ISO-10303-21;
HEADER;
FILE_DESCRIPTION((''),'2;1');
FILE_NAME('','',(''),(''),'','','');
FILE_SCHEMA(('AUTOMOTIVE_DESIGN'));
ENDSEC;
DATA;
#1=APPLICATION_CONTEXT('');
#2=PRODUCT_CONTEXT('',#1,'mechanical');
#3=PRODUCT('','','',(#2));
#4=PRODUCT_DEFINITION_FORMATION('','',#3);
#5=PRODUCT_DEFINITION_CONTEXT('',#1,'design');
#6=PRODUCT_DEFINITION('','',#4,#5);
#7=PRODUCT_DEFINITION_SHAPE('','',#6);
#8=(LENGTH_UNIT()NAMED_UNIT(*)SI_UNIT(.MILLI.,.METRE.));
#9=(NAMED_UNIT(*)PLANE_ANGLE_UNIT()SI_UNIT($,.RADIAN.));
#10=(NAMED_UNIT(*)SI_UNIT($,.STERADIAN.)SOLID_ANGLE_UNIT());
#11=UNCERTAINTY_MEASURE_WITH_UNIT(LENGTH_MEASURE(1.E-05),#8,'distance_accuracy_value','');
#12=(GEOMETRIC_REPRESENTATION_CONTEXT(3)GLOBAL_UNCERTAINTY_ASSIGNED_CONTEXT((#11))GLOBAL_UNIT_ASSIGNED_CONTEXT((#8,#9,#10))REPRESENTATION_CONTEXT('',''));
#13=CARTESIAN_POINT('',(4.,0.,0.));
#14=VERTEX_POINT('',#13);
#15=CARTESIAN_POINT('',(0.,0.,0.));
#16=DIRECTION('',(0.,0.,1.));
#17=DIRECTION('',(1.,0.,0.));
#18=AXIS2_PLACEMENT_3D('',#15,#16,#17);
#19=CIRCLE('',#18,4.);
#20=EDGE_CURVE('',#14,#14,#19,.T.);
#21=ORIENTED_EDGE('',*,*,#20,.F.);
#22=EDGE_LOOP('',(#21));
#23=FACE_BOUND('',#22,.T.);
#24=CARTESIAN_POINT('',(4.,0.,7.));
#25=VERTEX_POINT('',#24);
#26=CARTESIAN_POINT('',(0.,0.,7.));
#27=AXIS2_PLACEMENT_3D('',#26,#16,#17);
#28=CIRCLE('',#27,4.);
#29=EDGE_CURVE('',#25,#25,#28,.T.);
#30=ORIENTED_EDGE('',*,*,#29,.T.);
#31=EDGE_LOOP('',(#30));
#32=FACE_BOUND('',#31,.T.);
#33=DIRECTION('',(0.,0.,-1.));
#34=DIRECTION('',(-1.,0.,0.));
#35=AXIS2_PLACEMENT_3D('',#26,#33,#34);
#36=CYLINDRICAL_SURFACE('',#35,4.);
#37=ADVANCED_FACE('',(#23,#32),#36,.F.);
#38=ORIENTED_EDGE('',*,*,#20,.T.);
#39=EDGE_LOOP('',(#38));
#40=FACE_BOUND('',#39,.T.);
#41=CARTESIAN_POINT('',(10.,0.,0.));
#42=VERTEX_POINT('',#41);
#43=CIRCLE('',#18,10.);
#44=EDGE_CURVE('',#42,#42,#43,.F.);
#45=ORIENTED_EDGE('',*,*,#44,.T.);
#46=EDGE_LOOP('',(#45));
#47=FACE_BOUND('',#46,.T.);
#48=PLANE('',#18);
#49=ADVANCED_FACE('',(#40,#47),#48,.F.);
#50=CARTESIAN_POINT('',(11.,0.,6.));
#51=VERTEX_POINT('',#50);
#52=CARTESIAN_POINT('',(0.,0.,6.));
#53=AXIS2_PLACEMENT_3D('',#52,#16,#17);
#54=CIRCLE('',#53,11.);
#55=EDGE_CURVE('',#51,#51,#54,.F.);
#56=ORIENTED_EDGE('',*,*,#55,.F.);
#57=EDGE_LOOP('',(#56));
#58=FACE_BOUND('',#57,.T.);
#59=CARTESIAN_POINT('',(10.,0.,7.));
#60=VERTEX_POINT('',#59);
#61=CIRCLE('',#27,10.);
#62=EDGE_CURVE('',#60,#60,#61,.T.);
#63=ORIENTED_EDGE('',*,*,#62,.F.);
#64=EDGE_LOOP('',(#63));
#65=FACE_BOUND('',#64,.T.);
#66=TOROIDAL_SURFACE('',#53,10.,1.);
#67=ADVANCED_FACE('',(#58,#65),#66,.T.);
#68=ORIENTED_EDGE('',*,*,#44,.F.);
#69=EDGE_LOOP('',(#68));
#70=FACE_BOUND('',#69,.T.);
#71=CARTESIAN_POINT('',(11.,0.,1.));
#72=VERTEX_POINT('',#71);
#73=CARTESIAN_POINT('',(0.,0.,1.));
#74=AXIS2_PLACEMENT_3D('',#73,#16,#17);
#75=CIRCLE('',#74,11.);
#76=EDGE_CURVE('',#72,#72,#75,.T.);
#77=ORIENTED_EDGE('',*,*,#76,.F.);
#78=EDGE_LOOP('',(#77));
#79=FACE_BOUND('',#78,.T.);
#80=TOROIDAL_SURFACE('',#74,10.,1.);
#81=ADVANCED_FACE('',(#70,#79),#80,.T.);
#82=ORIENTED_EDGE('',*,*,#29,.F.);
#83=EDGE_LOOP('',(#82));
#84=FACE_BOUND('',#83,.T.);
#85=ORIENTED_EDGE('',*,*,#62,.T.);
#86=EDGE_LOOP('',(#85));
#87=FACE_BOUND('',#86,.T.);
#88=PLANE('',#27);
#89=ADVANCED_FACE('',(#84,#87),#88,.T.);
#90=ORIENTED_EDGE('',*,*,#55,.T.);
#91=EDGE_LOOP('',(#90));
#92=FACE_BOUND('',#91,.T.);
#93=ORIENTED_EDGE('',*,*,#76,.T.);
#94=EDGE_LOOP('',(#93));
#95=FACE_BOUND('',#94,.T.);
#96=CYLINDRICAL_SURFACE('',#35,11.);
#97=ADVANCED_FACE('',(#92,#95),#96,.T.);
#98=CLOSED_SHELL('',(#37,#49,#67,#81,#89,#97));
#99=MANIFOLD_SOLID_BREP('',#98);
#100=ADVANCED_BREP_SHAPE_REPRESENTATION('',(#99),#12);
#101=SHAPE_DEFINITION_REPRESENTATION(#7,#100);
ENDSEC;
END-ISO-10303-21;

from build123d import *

# Parameters (mm, degrees)
ESBO_O1_R                = 11
ESBO_O1_R_2              = 4
RESSALTO_EXTRUS_O1_DEPTH = 7
FILETE1_R                = 1


with BuildPart() as part:
    # Esboço1 → Ressalto-extrusão1 (new body)
    with BuildSketch(Plane.XY):
        Circle(ESBO_O1_R)
        Circle(ESBO_O1_R_2, mode=Mode.SUBTRACT)
    extrude(amount=RESSALTO_EXTRUS_O1_DEPTH)

    # Filete1
    filete1_edges = [part.edges().sort_by_distance(p)[0] for p in [
        (-11, 0, 0),
        (-11, 0, 7),
    ]]
    fillet(filete1_edges, radius=FILETE1_R)


solid = part.part
